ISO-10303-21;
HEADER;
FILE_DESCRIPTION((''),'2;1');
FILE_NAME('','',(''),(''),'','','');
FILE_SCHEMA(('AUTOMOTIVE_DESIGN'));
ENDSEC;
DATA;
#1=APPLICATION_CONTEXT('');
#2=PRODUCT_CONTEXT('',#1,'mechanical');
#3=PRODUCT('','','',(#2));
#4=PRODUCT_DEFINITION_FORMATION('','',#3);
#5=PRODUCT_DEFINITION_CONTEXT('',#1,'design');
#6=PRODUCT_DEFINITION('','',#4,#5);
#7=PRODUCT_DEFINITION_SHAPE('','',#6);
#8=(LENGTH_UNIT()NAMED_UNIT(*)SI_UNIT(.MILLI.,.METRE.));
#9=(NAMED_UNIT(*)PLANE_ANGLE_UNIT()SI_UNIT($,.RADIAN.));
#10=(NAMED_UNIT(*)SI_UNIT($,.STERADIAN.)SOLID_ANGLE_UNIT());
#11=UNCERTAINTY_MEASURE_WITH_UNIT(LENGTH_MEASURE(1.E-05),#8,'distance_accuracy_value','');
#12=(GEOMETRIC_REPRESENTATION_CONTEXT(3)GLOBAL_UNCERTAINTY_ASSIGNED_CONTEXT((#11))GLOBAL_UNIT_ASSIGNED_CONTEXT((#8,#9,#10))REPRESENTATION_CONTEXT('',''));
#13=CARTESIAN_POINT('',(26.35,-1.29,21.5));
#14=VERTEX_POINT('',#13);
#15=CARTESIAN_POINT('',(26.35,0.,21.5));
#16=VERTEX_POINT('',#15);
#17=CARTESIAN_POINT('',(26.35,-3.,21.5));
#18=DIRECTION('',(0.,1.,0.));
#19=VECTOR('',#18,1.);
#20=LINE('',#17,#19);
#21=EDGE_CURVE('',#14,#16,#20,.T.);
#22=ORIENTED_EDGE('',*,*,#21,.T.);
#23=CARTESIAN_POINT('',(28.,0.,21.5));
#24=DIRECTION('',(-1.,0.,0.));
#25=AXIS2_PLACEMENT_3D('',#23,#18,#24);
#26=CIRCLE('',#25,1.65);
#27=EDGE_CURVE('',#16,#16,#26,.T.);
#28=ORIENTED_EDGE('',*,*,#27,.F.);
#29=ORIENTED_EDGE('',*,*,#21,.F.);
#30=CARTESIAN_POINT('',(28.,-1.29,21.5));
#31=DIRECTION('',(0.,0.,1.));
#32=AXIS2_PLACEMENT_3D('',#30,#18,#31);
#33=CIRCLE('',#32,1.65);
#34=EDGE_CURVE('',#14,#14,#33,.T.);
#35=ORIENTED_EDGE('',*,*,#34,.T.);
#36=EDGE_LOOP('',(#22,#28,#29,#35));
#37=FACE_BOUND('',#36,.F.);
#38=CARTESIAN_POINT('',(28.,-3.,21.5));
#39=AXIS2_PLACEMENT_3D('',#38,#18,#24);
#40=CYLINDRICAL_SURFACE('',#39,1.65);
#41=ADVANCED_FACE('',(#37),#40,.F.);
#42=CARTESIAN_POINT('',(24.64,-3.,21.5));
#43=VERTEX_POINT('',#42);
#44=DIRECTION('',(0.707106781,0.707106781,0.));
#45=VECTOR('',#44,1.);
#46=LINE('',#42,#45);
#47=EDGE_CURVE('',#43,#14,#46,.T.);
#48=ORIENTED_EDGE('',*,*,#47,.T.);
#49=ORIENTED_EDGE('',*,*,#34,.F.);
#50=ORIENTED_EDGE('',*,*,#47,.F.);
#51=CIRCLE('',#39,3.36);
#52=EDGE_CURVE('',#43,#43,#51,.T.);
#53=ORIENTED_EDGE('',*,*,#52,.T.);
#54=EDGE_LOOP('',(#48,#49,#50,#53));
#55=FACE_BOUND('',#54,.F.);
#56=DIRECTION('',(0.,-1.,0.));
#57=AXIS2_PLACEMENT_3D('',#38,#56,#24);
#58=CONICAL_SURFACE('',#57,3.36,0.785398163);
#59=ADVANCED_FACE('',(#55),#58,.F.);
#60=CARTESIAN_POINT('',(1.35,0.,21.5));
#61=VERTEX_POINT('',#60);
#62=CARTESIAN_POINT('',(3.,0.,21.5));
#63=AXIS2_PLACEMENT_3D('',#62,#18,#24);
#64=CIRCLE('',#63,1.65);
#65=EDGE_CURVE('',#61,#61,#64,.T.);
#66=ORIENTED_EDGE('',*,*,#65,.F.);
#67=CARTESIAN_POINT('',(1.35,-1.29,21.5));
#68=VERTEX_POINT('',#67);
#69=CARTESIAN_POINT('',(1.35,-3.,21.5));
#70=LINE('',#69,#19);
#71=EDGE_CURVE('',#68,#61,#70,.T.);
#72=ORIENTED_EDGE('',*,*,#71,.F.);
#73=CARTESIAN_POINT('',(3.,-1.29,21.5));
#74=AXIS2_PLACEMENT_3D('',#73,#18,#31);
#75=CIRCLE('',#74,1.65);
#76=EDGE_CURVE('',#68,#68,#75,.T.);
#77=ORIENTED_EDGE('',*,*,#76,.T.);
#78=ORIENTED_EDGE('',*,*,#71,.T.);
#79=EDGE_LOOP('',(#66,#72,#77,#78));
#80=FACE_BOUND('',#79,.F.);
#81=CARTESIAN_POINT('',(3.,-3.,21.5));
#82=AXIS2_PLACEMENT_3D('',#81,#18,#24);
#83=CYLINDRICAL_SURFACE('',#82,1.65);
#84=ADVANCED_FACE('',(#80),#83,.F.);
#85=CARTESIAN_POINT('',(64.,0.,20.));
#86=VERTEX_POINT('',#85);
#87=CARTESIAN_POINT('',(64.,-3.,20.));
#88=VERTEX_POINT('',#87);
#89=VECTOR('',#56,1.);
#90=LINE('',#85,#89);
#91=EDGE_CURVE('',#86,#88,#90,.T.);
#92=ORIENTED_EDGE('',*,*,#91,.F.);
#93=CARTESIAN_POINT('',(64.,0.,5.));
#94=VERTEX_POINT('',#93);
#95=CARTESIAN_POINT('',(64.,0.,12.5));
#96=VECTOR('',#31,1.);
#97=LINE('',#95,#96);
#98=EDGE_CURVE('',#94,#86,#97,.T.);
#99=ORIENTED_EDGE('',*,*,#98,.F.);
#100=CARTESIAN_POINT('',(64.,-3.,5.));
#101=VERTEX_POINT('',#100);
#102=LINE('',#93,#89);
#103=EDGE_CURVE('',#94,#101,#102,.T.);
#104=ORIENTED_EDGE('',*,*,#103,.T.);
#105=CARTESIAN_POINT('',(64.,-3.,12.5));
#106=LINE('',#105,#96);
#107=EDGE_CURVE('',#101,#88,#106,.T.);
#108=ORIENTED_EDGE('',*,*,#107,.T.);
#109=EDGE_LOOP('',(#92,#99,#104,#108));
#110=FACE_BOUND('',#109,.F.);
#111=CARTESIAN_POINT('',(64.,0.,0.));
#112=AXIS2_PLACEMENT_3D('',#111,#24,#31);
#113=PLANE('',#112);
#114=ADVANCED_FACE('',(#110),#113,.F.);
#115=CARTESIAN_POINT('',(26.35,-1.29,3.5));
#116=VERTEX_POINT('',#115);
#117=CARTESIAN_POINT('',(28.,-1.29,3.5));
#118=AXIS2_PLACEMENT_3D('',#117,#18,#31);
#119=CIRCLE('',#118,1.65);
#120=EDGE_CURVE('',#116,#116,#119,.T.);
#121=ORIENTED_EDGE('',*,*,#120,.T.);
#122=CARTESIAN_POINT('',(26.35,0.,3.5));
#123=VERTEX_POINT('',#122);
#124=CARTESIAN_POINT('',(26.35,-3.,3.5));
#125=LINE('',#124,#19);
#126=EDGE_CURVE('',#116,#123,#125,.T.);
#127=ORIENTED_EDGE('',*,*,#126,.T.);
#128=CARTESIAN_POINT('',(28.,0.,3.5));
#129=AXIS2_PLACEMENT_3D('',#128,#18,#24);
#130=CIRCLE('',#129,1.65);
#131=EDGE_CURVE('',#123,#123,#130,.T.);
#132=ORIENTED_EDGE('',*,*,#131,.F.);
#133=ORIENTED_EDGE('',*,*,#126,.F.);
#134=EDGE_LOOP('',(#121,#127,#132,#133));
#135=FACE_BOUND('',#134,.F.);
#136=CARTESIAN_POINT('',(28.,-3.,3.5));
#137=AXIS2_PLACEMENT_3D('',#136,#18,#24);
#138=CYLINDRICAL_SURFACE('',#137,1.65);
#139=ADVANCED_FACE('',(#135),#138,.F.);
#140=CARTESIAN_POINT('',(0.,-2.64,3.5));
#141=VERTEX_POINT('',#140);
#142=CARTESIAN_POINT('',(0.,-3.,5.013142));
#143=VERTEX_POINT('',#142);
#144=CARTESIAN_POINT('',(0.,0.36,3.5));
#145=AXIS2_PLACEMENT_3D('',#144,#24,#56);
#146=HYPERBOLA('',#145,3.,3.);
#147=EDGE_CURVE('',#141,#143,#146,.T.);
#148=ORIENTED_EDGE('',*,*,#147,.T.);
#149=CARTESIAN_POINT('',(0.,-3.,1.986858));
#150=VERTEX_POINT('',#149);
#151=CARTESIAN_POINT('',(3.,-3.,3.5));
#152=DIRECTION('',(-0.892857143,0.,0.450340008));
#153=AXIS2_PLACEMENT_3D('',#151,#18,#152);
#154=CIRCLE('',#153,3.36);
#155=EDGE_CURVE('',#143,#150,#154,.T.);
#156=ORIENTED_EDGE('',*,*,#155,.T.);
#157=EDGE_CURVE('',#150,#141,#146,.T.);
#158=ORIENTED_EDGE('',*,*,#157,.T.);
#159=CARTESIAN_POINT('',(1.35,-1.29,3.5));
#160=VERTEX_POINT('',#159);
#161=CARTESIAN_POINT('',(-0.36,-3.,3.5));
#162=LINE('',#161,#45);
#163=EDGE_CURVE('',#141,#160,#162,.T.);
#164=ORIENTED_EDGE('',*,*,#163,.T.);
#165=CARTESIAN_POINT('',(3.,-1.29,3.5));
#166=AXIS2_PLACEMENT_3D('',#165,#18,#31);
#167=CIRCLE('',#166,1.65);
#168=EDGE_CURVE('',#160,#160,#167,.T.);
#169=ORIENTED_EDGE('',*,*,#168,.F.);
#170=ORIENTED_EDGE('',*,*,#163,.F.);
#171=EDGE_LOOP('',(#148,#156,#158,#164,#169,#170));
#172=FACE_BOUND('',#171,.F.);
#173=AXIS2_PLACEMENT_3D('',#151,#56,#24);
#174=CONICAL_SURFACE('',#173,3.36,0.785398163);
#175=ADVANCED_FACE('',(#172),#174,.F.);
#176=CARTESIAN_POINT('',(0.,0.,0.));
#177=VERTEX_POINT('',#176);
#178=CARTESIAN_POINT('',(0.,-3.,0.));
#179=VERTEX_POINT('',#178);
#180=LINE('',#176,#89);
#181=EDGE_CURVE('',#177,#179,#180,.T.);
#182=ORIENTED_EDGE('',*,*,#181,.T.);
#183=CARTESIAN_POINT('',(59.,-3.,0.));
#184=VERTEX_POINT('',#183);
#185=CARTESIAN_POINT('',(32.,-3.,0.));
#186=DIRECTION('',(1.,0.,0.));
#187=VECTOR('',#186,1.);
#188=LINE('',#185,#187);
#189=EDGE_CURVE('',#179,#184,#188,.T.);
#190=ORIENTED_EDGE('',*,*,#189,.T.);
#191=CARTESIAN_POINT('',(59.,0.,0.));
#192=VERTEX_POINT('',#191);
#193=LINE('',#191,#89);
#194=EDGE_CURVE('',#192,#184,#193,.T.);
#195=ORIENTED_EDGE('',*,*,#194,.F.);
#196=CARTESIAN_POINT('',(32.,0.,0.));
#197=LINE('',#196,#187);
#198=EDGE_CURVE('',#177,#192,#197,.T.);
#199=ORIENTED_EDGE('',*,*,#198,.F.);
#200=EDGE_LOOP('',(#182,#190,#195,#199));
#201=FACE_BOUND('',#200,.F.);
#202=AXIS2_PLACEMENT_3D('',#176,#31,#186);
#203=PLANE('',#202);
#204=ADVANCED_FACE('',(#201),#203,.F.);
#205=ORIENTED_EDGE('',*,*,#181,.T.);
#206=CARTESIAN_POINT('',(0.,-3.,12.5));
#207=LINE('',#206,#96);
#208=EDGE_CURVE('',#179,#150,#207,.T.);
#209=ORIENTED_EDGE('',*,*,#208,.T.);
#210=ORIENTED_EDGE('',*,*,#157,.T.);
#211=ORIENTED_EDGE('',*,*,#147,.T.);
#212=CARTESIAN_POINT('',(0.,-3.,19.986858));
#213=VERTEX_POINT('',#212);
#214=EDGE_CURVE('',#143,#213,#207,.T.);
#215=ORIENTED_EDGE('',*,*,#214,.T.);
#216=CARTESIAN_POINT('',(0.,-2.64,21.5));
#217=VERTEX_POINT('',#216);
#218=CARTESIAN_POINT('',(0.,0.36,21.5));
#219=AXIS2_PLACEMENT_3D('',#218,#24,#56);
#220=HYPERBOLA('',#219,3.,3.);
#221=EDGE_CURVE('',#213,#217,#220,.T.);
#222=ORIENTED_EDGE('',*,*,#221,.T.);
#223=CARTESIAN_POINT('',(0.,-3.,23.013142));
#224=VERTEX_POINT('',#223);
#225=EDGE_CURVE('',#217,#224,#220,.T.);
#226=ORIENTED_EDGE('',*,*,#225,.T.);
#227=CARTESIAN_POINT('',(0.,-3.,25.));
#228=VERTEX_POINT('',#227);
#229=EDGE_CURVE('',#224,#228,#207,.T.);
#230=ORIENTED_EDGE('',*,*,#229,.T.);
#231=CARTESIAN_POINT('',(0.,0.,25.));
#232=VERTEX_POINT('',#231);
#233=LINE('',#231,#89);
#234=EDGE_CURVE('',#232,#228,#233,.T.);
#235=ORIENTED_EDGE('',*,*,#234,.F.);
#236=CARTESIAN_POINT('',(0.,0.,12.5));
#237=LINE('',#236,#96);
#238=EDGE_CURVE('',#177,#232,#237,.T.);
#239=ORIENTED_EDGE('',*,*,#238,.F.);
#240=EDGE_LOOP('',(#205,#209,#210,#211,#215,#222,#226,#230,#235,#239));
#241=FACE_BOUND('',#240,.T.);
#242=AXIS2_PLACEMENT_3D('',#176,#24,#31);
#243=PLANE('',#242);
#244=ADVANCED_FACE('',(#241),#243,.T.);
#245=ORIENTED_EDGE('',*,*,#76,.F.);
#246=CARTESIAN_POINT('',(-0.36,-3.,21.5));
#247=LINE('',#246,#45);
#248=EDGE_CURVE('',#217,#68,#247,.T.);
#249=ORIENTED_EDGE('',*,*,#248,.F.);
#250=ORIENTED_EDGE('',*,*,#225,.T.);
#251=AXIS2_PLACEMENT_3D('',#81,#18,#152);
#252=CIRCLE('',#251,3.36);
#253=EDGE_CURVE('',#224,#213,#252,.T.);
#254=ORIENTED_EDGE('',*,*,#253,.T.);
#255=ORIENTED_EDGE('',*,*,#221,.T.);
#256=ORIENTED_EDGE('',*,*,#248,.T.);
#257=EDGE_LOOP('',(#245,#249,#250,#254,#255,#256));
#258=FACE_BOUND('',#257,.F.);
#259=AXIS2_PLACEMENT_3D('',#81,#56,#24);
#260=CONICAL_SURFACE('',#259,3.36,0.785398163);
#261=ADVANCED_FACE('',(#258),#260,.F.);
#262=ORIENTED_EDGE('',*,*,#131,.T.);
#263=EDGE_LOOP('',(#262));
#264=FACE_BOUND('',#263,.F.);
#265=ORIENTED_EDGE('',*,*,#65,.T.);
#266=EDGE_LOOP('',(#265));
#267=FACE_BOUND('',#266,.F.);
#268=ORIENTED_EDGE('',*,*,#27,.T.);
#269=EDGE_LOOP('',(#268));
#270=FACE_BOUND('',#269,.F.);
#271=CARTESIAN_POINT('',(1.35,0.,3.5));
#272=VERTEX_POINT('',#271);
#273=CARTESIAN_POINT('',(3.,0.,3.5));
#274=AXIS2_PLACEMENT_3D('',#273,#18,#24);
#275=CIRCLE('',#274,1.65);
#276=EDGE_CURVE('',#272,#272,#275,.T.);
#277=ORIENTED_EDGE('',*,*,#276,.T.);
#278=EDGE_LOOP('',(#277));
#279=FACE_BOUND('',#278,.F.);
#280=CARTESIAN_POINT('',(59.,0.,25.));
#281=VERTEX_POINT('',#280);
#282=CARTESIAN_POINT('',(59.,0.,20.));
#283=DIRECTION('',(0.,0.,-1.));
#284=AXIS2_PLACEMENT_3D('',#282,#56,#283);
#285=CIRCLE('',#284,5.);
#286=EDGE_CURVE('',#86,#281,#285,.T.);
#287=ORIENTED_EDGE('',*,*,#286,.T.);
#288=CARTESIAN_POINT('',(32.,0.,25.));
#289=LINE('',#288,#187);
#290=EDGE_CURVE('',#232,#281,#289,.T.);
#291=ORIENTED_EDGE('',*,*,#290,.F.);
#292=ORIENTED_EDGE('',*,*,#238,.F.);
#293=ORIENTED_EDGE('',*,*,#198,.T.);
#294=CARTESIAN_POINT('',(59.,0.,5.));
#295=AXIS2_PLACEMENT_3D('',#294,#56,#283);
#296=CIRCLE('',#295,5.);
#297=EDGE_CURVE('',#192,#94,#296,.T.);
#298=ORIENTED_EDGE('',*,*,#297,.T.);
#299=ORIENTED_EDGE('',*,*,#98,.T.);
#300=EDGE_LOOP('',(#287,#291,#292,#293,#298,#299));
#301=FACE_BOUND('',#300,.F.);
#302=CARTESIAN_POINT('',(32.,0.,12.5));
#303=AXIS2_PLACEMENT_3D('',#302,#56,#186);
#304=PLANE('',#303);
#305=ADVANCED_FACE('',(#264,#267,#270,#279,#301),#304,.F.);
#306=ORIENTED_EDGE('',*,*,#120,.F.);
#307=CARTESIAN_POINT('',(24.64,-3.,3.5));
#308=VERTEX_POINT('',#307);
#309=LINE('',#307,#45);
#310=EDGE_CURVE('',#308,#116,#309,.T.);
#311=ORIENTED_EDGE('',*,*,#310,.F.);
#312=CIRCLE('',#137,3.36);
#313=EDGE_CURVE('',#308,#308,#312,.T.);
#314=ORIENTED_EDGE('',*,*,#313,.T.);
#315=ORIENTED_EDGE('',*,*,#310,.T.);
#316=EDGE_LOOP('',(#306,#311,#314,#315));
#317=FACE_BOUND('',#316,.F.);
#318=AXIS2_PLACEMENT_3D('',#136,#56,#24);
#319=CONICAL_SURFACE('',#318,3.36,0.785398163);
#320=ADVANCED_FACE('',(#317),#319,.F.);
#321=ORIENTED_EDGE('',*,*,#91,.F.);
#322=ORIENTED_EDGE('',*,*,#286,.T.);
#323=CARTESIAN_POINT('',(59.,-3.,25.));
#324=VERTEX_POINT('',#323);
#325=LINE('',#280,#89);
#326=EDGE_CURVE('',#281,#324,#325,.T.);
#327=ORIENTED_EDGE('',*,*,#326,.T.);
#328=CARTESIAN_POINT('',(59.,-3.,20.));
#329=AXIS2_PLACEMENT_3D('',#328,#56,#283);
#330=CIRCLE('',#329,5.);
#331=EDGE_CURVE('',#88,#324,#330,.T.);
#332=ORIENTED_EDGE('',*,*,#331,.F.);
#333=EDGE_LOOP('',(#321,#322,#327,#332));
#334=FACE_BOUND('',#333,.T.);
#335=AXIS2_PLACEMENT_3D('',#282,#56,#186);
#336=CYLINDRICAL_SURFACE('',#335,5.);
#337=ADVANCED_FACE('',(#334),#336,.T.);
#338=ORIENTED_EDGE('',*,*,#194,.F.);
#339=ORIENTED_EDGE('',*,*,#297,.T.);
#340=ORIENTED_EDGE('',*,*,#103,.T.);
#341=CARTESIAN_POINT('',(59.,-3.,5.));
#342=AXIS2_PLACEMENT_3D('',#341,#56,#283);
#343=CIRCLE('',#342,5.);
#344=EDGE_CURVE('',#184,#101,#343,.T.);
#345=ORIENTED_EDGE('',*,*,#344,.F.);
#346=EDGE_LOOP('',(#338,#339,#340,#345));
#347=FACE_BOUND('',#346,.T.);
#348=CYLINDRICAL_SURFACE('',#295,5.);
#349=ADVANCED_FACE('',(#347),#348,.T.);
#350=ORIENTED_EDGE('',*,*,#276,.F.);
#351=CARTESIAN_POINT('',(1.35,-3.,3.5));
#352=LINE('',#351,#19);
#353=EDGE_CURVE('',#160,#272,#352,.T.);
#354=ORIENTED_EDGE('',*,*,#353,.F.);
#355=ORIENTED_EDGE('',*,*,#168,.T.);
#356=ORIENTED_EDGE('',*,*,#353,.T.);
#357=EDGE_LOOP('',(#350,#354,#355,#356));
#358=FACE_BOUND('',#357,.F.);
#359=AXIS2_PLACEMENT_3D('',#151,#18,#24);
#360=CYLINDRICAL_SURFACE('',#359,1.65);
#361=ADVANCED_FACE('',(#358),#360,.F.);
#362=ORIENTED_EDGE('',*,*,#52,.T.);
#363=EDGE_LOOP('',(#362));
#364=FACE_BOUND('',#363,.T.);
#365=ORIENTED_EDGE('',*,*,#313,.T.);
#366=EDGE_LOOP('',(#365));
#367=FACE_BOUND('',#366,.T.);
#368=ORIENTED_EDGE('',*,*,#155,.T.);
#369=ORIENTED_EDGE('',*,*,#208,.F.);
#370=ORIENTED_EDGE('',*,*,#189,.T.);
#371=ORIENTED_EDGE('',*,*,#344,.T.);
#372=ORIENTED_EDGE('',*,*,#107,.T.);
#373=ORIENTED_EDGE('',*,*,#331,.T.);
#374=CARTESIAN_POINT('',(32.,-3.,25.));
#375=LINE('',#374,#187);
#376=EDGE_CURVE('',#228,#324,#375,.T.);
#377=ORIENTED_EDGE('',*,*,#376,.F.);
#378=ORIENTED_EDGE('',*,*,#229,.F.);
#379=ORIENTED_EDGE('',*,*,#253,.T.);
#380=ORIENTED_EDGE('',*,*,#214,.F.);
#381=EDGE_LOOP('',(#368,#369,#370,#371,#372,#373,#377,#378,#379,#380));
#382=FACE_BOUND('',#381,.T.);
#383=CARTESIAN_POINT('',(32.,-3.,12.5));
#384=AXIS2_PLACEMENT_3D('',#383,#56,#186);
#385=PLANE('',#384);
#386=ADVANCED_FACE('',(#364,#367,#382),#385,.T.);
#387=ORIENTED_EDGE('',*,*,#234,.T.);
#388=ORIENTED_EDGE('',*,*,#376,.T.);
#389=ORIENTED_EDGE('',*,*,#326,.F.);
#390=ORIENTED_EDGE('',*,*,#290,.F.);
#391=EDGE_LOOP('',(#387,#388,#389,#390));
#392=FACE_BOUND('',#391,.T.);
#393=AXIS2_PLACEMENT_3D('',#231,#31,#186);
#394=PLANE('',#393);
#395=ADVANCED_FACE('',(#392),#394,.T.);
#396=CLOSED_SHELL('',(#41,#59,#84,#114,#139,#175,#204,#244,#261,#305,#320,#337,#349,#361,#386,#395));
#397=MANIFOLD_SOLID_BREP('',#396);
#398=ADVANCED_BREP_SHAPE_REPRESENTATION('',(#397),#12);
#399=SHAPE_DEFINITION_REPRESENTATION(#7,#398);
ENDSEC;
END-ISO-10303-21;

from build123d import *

# Parameters (mm, degrees)
F0_W           = 64
F0_H           = 25
F1_DEPTH       = 3
F3_D           = 3.3
F3_CSINK_D     = 6.72
F3_CSINK_ANGLE = 90
F4_R           = 5


with BuildPart() as f1:
    # F0 (on Front) → F1 (new body)
    with BuildSketch(Plane.XZ):
        with Locations((32, 12.5)):
            Rectangle(F0_W, F0_H)
    extrude(amount=F1_DEPTH)

    # F3 (through all)
    with Locations(Plane.XZ.offset(3)):
        with Locations((3, 21.5), (28, 21.5), (28, 3.5), (3, 3.5)):
            CounterSinkHole(F3_D / 2, F3_CSINK_D / 2, counter_sink_angle=F3_CSINK_ANGLE)

    # F4
    f4_edges = [f1.edges().sort_by_distance(p)[0] for p in [
        (64, -1.5, 0),
        (64, -1.5, 25),
    ]]
    fillet(f4_edges, radius=F4_R)


solid = f1.part
